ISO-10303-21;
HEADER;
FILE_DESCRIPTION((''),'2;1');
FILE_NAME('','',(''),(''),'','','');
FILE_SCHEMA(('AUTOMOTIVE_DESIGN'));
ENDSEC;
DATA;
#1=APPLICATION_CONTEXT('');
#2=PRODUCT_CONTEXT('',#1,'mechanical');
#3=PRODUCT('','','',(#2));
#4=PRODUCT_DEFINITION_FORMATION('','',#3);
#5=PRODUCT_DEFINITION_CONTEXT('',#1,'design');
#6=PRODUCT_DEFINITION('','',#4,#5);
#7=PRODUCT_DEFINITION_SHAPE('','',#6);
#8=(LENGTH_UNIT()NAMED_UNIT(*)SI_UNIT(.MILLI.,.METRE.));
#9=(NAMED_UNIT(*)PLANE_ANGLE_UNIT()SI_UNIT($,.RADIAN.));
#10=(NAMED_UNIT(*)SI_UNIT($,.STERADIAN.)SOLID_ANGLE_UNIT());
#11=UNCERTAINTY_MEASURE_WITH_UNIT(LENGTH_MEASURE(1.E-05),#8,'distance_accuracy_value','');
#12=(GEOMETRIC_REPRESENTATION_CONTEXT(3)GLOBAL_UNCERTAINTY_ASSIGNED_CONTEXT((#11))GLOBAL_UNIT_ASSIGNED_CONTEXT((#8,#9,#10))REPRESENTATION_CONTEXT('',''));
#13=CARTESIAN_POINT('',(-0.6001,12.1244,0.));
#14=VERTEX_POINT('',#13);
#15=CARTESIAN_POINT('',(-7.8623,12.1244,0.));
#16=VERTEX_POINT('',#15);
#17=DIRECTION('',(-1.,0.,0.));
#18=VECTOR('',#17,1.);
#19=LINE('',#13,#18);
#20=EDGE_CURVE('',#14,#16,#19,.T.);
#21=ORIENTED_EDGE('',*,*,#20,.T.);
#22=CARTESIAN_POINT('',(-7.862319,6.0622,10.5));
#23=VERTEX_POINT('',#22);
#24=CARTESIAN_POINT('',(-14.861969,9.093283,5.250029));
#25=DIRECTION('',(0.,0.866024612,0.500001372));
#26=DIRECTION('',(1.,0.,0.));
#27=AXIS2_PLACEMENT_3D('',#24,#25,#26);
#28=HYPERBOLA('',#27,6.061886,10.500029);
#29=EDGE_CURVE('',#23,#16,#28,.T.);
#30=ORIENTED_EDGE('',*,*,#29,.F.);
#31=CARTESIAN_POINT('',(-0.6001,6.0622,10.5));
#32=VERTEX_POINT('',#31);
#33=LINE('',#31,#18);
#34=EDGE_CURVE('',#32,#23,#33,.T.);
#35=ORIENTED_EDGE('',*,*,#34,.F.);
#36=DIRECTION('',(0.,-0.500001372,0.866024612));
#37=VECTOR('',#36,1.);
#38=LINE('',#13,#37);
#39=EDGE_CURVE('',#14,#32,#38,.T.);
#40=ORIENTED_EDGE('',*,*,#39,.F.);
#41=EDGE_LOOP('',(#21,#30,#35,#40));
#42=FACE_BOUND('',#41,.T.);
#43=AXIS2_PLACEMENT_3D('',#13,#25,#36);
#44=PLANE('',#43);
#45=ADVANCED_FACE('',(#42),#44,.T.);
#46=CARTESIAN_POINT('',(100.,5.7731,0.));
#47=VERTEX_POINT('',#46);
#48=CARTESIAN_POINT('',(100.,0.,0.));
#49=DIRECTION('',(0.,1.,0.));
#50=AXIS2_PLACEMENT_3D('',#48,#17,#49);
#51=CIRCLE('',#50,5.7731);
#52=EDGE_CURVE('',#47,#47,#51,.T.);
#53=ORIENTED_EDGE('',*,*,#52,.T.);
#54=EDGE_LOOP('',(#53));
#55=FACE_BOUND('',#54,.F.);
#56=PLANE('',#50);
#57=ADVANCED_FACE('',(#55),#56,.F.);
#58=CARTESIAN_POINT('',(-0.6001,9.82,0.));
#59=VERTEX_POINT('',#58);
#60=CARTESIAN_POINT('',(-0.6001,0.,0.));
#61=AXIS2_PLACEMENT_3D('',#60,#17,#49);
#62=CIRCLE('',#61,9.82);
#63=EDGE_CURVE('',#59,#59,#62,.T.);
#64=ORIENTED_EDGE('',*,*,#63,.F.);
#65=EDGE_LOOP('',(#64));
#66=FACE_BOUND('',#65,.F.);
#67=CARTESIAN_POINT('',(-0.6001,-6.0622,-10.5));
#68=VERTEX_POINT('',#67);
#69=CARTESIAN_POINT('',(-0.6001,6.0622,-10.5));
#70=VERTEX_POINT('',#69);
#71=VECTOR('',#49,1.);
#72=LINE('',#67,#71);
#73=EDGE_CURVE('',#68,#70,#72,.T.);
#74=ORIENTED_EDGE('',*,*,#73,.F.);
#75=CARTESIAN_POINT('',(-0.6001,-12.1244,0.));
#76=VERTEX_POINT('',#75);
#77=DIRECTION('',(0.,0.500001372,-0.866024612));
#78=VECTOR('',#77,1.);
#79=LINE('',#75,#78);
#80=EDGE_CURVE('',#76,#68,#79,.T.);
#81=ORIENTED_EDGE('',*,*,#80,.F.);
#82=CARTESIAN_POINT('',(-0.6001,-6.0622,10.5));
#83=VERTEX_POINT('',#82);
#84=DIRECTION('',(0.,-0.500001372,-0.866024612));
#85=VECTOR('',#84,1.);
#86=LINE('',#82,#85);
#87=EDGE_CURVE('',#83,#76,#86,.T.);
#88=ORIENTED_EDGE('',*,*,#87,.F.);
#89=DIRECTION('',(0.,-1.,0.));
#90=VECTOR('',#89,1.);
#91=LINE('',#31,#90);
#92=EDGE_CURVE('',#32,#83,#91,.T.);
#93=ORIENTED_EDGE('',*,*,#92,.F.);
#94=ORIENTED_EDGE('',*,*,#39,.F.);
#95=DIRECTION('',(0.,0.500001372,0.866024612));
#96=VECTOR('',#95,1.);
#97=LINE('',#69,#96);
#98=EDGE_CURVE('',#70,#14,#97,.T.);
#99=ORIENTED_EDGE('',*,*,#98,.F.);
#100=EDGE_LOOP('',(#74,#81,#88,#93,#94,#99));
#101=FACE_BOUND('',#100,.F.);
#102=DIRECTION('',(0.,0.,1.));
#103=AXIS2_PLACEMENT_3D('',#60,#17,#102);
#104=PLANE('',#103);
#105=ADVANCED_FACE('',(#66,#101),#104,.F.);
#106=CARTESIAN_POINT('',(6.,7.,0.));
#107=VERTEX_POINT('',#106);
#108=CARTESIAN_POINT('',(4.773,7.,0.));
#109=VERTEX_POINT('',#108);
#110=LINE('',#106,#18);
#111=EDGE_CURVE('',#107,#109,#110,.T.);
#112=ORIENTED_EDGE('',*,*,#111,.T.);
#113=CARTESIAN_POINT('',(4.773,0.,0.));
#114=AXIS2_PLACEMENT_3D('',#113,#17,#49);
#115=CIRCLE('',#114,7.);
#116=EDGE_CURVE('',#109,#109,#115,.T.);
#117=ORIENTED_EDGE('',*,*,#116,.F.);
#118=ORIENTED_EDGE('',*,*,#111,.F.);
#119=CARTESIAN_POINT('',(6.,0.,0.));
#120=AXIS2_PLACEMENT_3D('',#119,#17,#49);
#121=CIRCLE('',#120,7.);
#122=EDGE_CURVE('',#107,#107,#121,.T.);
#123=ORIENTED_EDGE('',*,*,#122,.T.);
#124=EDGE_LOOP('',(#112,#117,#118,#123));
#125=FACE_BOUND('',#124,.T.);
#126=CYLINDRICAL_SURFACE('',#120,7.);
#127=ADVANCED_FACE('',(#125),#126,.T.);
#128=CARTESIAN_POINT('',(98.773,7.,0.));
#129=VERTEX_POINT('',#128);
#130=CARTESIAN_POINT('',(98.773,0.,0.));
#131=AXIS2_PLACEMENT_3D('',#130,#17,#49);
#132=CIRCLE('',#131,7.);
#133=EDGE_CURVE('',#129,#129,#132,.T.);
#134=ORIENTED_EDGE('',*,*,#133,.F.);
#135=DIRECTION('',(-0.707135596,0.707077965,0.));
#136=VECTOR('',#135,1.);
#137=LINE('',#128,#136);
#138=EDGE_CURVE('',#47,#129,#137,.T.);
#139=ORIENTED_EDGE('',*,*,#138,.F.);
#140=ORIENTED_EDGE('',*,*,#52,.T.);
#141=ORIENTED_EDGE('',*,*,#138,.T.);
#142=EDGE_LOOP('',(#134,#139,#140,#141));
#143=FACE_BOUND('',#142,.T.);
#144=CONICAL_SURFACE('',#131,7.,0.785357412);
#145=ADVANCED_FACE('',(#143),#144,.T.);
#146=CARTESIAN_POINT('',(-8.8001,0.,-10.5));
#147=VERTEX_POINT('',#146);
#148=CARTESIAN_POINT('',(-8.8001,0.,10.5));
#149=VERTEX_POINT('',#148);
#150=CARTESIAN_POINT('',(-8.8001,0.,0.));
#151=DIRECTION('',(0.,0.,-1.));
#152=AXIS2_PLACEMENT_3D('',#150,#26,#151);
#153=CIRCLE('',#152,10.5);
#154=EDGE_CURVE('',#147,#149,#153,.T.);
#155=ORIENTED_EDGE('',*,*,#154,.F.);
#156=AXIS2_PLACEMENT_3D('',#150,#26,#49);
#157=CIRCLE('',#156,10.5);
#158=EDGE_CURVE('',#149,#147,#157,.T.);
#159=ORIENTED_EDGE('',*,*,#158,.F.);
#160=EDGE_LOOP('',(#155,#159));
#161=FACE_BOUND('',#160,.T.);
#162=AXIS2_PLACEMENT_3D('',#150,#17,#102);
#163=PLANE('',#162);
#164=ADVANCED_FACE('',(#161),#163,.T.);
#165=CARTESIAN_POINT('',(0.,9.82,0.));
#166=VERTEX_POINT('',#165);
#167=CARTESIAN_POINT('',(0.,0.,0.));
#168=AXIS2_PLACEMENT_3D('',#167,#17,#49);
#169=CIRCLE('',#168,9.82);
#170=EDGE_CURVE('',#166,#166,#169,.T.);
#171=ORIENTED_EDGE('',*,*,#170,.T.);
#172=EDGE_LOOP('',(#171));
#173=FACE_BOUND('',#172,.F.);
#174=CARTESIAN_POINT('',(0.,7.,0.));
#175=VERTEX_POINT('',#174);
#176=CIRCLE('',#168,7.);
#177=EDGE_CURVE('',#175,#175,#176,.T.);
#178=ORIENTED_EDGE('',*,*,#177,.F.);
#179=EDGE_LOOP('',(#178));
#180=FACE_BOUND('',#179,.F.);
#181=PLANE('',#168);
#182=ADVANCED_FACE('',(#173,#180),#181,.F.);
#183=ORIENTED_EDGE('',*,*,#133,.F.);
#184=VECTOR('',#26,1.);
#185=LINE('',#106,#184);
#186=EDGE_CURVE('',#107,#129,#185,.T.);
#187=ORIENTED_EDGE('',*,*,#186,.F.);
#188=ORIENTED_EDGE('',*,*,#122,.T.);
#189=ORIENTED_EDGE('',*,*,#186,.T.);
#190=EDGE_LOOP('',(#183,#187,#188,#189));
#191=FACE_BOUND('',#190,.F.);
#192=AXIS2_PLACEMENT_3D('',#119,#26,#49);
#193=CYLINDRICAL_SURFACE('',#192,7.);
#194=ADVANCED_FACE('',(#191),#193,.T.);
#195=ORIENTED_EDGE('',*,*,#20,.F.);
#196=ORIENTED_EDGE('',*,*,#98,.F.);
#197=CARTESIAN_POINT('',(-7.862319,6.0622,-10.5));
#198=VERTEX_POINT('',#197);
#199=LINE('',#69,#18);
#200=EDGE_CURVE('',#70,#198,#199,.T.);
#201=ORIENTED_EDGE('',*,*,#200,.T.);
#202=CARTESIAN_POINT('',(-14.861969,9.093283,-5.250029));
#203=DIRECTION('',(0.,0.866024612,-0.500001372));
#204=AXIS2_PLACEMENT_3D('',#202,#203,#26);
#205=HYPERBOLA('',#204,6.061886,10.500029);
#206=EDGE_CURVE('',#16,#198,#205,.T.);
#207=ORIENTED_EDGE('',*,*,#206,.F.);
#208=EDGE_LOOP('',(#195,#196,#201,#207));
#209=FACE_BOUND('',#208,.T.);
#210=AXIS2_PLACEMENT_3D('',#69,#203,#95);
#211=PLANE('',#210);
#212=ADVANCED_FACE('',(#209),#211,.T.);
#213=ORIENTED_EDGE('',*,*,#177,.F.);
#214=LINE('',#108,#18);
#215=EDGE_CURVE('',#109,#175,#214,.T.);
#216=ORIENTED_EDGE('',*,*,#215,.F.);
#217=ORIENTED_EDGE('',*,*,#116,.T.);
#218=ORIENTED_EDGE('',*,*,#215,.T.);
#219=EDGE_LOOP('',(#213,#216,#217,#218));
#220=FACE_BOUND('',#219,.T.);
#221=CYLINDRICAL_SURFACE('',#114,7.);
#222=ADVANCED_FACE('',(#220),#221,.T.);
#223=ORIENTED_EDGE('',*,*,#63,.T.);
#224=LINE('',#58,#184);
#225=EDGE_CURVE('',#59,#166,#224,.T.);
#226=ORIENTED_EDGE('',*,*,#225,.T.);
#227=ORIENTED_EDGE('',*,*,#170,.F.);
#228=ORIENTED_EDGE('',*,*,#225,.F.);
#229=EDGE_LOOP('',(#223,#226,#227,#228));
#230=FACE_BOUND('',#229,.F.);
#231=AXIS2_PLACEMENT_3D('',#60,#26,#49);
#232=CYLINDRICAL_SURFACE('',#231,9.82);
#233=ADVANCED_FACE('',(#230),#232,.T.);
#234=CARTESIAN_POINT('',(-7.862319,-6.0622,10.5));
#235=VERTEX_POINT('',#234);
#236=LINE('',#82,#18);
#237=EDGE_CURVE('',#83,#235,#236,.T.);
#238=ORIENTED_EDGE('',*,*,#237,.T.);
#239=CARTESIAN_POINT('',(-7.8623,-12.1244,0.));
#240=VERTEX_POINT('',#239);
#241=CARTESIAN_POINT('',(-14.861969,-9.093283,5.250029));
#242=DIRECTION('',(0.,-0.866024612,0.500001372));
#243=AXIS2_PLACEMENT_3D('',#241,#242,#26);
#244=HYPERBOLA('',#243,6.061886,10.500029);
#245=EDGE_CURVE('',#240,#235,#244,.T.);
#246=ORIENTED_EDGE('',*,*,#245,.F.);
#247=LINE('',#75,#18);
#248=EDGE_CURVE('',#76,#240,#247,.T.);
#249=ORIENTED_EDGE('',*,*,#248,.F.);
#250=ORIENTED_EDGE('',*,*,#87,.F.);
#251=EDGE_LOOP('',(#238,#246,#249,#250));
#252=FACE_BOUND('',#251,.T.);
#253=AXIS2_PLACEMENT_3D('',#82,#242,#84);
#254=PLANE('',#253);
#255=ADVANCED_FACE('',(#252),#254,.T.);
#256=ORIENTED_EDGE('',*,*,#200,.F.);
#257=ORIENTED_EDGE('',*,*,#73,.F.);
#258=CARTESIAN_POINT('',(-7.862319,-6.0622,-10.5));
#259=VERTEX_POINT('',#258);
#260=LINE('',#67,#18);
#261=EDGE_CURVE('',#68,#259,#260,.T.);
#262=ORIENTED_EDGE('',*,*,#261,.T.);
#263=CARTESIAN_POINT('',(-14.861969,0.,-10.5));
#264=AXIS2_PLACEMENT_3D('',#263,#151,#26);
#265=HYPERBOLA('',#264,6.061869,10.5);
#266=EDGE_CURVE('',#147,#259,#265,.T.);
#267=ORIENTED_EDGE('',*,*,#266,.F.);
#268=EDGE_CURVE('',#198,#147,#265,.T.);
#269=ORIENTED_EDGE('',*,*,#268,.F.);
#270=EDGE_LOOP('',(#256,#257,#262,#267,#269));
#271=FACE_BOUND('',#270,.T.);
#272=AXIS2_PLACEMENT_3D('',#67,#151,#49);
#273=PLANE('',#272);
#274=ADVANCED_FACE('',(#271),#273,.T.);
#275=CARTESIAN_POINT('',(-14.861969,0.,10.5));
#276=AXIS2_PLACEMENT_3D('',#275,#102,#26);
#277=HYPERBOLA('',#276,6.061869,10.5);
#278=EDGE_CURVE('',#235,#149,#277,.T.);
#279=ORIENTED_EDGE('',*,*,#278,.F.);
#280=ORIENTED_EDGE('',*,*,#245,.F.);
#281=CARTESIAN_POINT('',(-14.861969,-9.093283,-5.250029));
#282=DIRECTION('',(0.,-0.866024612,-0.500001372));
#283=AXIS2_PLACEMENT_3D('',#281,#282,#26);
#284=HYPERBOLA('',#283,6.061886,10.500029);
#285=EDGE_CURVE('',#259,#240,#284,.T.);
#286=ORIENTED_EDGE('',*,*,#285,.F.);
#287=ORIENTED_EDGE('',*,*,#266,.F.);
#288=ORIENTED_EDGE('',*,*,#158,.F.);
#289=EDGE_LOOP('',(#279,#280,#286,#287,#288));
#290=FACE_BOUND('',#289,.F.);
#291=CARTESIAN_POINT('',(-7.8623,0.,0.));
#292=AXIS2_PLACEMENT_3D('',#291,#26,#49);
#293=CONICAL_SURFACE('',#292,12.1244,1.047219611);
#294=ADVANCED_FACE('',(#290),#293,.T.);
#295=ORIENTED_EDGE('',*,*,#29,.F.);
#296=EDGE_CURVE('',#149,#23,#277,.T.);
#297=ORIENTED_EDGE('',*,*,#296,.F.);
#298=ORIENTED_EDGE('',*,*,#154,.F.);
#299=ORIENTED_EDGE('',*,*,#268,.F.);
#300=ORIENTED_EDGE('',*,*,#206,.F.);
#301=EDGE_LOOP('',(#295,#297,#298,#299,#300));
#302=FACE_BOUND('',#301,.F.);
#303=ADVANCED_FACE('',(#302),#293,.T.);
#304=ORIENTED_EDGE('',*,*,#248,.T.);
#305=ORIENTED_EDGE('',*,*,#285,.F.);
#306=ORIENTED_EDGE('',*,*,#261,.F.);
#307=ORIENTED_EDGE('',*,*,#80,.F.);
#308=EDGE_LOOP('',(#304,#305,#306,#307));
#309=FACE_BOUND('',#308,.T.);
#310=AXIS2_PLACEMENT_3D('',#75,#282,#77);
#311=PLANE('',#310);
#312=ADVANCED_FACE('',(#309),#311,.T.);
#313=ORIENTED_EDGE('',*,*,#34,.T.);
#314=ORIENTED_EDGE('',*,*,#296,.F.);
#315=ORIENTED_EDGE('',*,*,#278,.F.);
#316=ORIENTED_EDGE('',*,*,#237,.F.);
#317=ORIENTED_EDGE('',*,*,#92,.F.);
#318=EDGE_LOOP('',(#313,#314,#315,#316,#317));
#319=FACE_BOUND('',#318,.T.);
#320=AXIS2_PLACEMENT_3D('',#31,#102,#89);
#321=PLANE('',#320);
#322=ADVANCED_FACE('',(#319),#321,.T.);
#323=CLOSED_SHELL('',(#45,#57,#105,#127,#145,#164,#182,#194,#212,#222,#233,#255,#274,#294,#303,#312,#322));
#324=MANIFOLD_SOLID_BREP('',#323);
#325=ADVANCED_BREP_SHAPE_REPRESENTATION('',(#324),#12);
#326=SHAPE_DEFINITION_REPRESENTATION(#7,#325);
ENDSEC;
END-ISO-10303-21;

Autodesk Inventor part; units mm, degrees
ref_plane "YZ Plane" through (0, 0, 0) normal (1, 0, 0) x (0, 1, 0)
ref_plane "XZ Plane" through (0, 0, 0) normal (0, 1, 0) x (-1, 0, 0)
sketch "Sketch1" plane through (0, 0, 0) normal (0, 0, 1) x (1, 0, 0)
  line L0 (0, 9.82) -> (0, 7)
  line L1 (6, 7) -> (100, 7)
  line L2 (100, 7) -> (100, 0)
  line L3 (100, 0) -> (-0.6001, 0)
  line L4 (-20.7201, 0) -> (120.12, 0) projected
  line L5 (-0.6001, 0) -> (-0.6001, 9.82)
  line L6 (-0.6001, 9.82) -> (0, 9.82)
  line L7 (6, 7) -> (4.773, 7)
  line L8 (4.773, 7) -> (0, 7)
  line L9 (0, -1.964) -> (0, 11.784) projected
  dimension "d0" = 100
  dimension "d1" = 94
  dimension "d2" = 14
  dimension "d9" = 0.6001
  dimension "d10" = 19.64
  dimension "d13" = 1.227
  dimension "d14" = 14
revolve "Body" add sketch "Sketch1" angle 360 about axis through (100, 0, 0) along (-1, 0, 0)
sketch "Sketch2" plane through (-0.6001, 0, 0) normal (-1, 0, 0) x (0, 0, 1)
  line L0 (0, 12.1244) -> (10.5, 6.0622)
  line L1 (10.5, 6.0622) -> (10.5, -6.0622)
  line L2 (10.5, -6.0622) -> (0, -12.1244)
  line L3 (0, -12.1244) -> (-10.5, -6.0622)
  line L4 (-10.5, -6.0622) -> (-10.5, 6.0622)
  line L5 (-10.5, 6.0622) -> (0, 12.1244)
  point P0 (0, 0)
  point P1 (0, 0)
  dimension "d11" = 21
extrude "Head" add sketch "Sketch2" along normal blind 8.2
sketch "Sketch4" plane through (0, 0, 0) normal (0, 0, 1) x (1, 0, 0)
  line L0 (-8.8001, 10.5) -> (-8.8001, 12.1244)
  line L1 (-8.8001, 12.1244) -> (-7.8623, 12.1244)
  line L2 (-7.8623, 12.1244) -> (-8.8001, 10.5)
  line L3 (-10.4401, 0) -> (1.0399, 0) projected
  line L4 (-0.6001, 12.1244) -> (-8.8001, 12.1244) projected
  line L5 (-8.8001, 6.0622) -> (-8.8001, 12.1244) projected
  dimension "d5" = 30
  dimension "d19" = 21
revolve "Chamfer1" cut sketch "Sketch4" angle 360 about axis through (-10, 0, 0) along (1, 0, 0)
thread "Thread" size "M14x2" class "6g" standard "ISO Metric profile" length 94
chamfer "Chamfer2" distance 1.2269 distance2 1.227 1 edges at (100, -7, 0) measured on face at (100, -1.3255, 1.1743)
ref_plane "Work Plane1" through (1.525, 0, 0) normal (0, 0, 1) x (1, 0, 0)
equation "\"d0\" = NLG"
equation "\"d1\" = GEL"
equation "\"d2\" = GD"
equation "\"d10\" = SD2"
equation "\"d14\" = BDM"
equation "\"d11\" = SW"
equation "\"d3\" = KOH - SD"
equation "\"d5\" = ANG1"
equation "\"d19\" = SW0"
equation "\"d15\" = GEL"
equation "\"d6\" = -0.5 * SPD + 0.5 * GD"
equation "\"NLG\" = 100"
equation "\"GD\" = NND"
equation "\"BDM\" = NND"
equation "\"KOH\" = 8.8"
equation "\"GEL\" = 94"
equation "\"SW\" = 21"
equation "\"SW0\" = SW"
equation "\"SPD\" = NND - 1.2269 * PTC"
equation "\"SD2\" = 19.64"
equation "\"SD\" = 0.6"
equation "\"ANG1\" = 30deg"
equation "\"GAL\" = 0.61345 * PTC"
equation "\"GUL\" = 0.61345 * PTC"
equation "\"RR\" = 0.6"
equation "\"GD1\" = THREADDIA - 1.2269 * PTC"
equation "\"THREADDIA\" = 14"
equation "\"SDH\" = SD2"
equation "\"SDHG\" = 6"
equation "\"TOA\" = 30deg"
equation "\"PTC\" = 2"
equation "\"NND\" = 14"
equation "\"E0\" = 24.255"
properties part number "ISO 4017 - M14 x 100" material "Steel, Mild"
